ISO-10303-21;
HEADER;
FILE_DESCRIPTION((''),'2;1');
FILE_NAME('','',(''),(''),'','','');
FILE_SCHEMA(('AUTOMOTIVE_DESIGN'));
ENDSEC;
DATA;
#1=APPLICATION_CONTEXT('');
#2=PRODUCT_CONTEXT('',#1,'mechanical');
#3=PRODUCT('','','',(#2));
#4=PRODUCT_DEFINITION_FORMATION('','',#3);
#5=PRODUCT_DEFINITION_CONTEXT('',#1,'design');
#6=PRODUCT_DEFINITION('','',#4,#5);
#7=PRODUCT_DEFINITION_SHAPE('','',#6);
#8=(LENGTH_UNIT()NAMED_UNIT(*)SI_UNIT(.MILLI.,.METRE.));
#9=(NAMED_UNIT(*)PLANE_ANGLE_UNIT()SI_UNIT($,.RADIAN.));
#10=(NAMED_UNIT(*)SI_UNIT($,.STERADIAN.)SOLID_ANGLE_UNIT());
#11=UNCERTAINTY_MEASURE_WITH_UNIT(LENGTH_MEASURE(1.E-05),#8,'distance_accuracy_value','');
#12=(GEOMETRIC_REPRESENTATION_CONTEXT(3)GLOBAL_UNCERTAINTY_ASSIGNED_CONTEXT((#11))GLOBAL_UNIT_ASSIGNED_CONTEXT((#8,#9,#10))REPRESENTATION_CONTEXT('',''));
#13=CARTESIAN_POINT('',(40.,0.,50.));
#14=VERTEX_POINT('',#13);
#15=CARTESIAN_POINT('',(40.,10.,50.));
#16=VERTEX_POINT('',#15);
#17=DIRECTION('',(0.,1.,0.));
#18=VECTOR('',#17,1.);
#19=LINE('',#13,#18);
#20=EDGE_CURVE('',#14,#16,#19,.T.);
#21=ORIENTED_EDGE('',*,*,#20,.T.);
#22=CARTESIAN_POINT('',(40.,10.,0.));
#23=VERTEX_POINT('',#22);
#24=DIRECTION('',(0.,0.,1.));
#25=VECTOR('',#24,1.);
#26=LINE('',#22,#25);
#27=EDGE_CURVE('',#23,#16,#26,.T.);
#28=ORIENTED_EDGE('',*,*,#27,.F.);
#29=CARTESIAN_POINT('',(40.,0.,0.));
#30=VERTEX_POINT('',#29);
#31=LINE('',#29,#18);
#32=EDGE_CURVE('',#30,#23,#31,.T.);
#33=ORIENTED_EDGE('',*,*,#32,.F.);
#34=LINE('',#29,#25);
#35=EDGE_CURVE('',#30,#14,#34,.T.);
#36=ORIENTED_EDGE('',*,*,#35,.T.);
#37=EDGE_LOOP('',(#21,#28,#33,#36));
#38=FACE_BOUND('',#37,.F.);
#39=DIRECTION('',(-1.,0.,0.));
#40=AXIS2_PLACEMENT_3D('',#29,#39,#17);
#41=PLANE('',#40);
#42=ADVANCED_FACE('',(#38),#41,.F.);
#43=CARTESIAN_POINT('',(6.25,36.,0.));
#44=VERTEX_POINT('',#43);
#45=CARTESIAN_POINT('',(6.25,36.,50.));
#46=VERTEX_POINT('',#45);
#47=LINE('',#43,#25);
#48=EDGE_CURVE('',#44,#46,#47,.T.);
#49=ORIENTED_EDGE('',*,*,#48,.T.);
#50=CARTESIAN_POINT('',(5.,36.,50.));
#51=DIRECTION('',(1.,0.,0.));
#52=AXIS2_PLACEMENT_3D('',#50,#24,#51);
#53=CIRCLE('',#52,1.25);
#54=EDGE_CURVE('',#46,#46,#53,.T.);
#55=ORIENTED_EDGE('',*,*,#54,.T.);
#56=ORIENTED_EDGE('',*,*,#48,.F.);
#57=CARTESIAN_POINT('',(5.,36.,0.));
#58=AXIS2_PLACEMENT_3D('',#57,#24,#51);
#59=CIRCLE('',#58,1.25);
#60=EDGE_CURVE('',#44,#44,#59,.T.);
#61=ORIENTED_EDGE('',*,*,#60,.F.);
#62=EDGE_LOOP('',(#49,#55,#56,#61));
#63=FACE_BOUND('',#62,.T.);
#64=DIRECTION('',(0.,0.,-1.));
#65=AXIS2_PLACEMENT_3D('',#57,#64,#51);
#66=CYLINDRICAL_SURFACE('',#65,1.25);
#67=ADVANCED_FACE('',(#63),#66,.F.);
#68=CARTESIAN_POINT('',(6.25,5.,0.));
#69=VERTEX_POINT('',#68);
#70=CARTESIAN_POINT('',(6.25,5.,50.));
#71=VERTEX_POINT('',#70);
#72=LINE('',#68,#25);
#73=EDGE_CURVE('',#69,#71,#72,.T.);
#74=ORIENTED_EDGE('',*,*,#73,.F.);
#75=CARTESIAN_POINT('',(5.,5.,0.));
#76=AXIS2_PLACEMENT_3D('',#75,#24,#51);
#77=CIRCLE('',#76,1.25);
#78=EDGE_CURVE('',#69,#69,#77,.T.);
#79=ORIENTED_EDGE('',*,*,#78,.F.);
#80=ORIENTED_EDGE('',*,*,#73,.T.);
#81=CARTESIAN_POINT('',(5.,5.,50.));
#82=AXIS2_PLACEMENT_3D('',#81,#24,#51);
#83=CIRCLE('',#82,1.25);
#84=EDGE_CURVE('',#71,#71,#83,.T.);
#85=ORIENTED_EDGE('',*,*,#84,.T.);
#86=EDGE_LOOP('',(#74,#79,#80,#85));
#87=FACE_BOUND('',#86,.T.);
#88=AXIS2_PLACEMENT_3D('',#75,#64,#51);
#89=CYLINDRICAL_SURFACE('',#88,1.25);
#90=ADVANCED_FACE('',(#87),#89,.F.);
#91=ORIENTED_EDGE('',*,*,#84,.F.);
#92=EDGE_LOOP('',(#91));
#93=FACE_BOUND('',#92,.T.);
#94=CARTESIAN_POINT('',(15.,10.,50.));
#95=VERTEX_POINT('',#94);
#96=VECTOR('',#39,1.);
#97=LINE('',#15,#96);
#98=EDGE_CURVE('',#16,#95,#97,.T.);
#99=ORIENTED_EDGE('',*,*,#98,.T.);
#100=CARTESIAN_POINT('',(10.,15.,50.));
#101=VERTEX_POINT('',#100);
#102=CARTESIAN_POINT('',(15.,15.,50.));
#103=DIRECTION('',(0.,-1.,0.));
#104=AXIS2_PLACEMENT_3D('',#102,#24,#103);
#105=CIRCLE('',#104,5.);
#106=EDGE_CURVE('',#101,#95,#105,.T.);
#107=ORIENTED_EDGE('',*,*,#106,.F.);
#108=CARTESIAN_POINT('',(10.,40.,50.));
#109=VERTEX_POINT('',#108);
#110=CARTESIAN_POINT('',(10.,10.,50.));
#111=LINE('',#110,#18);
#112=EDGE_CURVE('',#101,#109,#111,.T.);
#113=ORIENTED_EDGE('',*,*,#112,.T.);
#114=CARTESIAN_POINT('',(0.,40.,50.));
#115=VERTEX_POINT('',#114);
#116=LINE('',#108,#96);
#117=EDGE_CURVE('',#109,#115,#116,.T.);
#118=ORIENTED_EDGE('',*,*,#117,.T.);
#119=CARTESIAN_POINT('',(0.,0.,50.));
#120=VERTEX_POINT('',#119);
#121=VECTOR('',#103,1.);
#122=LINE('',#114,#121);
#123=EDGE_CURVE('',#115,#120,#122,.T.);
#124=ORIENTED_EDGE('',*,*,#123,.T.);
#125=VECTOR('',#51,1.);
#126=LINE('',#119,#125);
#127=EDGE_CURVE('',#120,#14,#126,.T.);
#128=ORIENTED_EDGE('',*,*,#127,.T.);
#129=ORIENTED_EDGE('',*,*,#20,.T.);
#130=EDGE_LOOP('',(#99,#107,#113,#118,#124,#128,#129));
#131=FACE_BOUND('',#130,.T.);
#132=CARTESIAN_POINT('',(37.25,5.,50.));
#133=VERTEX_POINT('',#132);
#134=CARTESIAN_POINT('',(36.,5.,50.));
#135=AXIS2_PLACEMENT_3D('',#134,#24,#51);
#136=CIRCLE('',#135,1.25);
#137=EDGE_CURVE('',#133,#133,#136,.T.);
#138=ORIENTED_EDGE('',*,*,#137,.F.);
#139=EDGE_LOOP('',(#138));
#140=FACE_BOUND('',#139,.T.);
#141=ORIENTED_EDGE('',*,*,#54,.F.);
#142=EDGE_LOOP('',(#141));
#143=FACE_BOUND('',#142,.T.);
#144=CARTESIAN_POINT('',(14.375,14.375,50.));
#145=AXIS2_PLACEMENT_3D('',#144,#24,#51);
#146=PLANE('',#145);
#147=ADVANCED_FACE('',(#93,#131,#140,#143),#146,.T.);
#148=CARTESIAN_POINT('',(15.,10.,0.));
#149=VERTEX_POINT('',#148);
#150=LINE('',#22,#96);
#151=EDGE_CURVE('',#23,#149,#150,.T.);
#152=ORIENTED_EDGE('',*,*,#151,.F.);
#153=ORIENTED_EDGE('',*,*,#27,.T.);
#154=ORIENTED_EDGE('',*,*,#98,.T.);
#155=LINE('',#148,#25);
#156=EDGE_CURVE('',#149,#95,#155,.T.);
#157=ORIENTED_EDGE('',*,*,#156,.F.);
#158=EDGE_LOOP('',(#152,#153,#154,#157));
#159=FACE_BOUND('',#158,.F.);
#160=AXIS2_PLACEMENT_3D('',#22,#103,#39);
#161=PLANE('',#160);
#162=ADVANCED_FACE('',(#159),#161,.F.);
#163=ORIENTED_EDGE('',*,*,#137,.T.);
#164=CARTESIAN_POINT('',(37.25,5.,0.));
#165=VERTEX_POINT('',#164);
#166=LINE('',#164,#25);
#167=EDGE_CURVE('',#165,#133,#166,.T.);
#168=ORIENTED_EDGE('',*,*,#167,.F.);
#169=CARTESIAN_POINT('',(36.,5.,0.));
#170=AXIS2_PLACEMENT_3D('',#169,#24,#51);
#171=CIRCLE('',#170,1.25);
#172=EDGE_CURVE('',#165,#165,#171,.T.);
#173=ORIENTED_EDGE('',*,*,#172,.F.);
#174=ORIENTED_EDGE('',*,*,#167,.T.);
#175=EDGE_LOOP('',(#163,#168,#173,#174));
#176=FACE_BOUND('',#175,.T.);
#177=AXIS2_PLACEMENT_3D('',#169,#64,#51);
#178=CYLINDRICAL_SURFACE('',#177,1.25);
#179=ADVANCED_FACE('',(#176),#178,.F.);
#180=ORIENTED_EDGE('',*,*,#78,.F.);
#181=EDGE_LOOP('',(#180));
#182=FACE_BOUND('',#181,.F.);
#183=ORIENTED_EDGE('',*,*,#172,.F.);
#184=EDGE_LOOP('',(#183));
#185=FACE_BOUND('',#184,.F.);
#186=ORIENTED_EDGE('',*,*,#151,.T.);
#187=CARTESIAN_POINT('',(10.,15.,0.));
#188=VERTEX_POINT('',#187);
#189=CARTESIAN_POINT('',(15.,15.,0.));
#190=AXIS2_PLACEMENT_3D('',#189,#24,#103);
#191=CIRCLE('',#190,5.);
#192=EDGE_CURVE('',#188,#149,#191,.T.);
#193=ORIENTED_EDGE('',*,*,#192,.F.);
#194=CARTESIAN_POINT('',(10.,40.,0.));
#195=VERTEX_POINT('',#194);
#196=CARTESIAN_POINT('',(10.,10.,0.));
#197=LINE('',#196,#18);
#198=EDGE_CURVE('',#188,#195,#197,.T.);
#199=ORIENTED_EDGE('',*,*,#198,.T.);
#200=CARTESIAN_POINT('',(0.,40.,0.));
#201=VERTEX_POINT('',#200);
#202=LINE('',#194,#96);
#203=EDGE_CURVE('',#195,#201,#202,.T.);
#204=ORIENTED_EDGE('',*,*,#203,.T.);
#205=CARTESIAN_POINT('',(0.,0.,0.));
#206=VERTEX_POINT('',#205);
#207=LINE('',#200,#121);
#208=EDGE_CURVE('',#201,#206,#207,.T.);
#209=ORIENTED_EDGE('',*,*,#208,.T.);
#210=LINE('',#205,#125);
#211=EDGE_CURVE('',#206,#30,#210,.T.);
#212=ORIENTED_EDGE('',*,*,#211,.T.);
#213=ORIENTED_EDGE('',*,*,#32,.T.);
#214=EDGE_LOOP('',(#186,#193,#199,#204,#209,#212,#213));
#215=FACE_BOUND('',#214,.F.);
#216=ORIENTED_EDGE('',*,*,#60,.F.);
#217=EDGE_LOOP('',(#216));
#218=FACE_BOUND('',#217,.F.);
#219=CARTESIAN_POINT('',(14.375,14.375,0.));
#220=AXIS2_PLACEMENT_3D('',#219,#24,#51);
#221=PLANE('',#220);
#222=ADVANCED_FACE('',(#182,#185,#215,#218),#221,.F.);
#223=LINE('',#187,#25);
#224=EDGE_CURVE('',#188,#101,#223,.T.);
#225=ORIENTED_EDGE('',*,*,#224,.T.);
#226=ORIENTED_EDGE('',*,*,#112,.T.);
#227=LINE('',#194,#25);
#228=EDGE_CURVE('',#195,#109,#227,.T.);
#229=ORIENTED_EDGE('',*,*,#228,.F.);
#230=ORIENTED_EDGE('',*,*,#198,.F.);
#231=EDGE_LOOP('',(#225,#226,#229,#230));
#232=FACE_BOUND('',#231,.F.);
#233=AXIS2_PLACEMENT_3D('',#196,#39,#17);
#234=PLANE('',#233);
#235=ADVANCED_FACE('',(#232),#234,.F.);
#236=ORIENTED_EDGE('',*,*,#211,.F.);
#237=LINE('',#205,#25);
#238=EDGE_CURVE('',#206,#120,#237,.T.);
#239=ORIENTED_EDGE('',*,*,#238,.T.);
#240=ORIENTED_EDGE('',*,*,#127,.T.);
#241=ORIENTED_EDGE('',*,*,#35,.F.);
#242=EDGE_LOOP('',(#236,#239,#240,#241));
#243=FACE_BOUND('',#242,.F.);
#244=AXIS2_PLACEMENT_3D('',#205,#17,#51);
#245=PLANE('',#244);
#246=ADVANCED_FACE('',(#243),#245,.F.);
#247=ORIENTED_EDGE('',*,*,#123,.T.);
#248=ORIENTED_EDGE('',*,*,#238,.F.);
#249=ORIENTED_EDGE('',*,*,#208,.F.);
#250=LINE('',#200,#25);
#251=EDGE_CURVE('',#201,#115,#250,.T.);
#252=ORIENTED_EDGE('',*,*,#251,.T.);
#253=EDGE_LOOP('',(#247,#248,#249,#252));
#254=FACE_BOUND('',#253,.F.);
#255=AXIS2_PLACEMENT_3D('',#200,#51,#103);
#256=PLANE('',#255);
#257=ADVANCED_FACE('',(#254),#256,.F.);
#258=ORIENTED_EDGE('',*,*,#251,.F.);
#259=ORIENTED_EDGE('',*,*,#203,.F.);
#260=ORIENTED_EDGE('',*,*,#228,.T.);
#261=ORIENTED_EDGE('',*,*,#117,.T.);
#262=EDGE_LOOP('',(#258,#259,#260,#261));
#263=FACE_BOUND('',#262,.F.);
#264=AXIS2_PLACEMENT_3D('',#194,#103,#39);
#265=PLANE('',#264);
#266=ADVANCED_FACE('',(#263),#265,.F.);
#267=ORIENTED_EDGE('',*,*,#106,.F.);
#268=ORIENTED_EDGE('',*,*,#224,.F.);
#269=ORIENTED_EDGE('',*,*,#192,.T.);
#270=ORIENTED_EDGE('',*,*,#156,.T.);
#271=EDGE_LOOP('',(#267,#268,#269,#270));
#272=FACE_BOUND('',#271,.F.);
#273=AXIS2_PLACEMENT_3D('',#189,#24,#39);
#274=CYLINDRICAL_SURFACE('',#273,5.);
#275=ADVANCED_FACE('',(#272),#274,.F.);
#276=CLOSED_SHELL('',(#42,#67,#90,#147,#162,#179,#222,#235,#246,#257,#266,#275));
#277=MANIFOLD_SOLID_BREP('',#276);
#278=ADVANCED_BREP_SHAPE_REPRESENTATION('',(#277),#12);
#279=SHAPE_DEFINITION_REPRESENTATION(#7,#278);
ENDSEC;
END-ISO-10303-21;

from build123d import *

# Parameters (mm, degrees)
F0_R     = 1.25
F1_DEPTH = 50
F2_R     = 5


with BuildPart() as f1:
    # F0 (on Top) → F1 (new body)
    with BuildSketch(Plane.XY):
        Polygon((10, 40), (0, 40), (0, 0), (40, 0), (40, 10), (10, 10), align=None)
        with Locations((5, 5)):
            Circle(F0_R, mode=Mode.SUBTRACT)
        with Locations((36, 5)):
            Circle(F0_R, mode=Mode.SUBTRACT)
        with Locations((5, 36)):
            Circle(F0_R, mode=Mode.SUBTRACT)
    extrude(amount=F1_DEPTH)

    # F2
    f2_edges = [f1.edges().sort_by_distance(p)[0] for p in [
        (10, 10, 25),
    ]]
    fillet(f2_edges, radius=F2_R)


solid = f1.part
